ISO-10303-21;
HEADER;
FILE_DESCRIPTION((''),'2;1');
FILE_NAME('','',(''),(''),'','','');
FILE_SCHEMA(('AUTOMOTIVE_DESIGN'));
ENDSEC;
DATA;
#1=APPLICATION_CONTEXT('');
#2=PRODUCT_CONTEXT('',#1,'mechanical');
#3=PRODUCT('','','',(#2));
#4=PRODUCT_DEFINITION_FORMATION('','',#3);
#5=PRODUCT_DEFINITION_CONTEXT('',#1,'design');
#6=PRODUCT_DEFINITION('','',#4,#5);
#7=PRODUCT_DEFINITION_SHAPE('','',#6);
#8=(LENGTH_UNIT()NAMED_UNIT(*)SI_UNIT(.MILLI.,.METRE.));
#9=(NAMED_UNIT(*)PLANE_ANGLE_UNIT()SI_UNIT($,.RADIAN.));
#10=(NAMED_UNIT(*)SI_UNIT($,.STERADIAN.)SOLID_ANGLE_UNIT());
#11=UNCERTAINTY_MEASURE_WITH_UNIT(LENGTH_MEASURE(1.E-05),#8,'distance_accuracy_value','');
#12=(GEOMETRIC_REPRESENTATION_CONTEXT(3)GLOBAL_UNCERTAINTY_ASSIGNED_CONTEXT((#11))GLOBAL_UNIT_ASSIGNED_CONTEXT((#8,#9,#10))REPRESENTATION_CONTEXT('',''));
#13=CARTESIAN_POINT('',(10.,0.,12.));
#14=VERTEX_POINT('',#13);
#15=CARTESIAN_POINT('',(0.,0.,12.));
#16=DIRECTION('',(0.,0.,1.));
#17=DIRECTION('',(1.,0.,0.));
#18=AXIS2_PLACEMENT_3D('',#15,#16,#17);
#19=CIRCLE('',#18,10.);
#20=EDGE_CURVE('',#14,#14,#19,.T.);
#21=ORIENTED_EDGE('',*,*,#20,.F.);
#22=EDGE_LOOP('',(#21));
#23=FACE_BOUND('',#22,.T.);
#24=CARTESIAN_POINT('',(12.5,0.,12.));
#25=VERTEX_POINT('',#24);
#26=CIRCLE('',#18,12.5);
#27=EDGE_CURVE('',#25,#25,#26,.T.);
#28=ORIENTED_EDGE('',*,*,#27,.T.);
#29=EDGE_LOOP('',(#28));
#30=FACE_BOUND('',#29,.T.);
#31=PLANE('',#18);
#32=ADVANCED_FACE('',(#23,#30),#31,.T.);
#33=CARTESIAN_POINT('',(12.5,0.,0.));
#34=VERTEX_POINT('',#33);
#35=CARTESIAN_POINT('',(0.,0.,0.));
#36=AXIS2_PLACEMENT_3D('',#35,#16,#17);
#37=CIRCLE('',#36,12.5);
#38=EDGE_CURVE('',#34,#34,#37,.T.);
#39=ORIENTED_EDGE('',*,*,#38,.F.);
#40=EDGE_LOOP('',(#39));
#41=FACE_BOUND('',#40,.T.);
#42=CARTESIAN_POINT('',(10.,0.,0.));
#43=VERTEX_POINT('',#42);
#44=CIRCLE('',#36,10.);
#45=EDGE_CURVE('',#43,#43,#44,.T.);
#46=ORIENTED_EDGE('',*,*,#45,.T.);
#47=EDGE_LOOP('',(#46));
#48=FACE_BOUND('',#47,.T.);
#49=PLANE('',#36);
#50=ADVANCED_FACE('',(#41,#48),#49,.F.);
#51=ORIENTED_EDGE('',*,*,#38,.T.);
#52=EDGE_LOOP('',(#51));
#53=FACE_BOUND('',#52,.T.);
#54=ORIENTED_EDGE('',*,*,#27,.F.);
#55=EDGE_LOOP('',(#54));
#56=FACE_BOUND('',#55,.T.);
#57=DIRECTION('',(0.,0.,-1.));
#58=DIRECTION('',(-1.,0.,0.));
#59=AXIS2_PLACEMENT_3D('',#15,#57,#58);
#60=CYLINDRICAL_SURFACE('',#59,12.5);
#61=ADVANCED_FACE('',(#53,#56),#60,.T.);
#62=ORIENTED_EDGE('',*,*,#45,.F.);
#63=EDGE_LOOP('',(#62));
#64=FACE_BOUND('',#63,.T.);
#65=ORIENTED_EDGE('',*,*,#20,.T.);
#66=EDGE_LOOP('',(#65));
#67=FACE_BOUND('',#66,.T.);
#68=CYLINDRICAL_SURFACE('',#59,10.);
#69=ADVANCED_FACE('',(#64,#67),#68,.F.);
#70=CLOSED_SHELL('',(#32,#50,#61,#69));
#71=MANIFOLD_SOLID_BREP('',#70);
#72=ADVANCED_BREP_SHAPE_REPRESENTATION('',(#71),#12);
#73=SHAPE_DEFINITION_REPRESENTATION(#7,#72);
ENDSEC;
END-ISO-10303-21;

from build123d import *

# Parameters (mm, degrees)
ESQUISSE1_R        = 12.5
ESQUISSE1_R_2      = 10
BOSS_EXTRU_1_DEPTH = 12


with BuildPart() as part:
    # Esquisse1 → Boss.-Extru.1 (new body)
    with BuildSketch(Plane.XY):
        Circle(ESQUISSE1_R)
        Circle(ESQUISSE1_R_2, mode=Mode.SUBTRACT)
    extrude(amount=BOSS_EXTRU_1_DEPTH)


solid = part.part
